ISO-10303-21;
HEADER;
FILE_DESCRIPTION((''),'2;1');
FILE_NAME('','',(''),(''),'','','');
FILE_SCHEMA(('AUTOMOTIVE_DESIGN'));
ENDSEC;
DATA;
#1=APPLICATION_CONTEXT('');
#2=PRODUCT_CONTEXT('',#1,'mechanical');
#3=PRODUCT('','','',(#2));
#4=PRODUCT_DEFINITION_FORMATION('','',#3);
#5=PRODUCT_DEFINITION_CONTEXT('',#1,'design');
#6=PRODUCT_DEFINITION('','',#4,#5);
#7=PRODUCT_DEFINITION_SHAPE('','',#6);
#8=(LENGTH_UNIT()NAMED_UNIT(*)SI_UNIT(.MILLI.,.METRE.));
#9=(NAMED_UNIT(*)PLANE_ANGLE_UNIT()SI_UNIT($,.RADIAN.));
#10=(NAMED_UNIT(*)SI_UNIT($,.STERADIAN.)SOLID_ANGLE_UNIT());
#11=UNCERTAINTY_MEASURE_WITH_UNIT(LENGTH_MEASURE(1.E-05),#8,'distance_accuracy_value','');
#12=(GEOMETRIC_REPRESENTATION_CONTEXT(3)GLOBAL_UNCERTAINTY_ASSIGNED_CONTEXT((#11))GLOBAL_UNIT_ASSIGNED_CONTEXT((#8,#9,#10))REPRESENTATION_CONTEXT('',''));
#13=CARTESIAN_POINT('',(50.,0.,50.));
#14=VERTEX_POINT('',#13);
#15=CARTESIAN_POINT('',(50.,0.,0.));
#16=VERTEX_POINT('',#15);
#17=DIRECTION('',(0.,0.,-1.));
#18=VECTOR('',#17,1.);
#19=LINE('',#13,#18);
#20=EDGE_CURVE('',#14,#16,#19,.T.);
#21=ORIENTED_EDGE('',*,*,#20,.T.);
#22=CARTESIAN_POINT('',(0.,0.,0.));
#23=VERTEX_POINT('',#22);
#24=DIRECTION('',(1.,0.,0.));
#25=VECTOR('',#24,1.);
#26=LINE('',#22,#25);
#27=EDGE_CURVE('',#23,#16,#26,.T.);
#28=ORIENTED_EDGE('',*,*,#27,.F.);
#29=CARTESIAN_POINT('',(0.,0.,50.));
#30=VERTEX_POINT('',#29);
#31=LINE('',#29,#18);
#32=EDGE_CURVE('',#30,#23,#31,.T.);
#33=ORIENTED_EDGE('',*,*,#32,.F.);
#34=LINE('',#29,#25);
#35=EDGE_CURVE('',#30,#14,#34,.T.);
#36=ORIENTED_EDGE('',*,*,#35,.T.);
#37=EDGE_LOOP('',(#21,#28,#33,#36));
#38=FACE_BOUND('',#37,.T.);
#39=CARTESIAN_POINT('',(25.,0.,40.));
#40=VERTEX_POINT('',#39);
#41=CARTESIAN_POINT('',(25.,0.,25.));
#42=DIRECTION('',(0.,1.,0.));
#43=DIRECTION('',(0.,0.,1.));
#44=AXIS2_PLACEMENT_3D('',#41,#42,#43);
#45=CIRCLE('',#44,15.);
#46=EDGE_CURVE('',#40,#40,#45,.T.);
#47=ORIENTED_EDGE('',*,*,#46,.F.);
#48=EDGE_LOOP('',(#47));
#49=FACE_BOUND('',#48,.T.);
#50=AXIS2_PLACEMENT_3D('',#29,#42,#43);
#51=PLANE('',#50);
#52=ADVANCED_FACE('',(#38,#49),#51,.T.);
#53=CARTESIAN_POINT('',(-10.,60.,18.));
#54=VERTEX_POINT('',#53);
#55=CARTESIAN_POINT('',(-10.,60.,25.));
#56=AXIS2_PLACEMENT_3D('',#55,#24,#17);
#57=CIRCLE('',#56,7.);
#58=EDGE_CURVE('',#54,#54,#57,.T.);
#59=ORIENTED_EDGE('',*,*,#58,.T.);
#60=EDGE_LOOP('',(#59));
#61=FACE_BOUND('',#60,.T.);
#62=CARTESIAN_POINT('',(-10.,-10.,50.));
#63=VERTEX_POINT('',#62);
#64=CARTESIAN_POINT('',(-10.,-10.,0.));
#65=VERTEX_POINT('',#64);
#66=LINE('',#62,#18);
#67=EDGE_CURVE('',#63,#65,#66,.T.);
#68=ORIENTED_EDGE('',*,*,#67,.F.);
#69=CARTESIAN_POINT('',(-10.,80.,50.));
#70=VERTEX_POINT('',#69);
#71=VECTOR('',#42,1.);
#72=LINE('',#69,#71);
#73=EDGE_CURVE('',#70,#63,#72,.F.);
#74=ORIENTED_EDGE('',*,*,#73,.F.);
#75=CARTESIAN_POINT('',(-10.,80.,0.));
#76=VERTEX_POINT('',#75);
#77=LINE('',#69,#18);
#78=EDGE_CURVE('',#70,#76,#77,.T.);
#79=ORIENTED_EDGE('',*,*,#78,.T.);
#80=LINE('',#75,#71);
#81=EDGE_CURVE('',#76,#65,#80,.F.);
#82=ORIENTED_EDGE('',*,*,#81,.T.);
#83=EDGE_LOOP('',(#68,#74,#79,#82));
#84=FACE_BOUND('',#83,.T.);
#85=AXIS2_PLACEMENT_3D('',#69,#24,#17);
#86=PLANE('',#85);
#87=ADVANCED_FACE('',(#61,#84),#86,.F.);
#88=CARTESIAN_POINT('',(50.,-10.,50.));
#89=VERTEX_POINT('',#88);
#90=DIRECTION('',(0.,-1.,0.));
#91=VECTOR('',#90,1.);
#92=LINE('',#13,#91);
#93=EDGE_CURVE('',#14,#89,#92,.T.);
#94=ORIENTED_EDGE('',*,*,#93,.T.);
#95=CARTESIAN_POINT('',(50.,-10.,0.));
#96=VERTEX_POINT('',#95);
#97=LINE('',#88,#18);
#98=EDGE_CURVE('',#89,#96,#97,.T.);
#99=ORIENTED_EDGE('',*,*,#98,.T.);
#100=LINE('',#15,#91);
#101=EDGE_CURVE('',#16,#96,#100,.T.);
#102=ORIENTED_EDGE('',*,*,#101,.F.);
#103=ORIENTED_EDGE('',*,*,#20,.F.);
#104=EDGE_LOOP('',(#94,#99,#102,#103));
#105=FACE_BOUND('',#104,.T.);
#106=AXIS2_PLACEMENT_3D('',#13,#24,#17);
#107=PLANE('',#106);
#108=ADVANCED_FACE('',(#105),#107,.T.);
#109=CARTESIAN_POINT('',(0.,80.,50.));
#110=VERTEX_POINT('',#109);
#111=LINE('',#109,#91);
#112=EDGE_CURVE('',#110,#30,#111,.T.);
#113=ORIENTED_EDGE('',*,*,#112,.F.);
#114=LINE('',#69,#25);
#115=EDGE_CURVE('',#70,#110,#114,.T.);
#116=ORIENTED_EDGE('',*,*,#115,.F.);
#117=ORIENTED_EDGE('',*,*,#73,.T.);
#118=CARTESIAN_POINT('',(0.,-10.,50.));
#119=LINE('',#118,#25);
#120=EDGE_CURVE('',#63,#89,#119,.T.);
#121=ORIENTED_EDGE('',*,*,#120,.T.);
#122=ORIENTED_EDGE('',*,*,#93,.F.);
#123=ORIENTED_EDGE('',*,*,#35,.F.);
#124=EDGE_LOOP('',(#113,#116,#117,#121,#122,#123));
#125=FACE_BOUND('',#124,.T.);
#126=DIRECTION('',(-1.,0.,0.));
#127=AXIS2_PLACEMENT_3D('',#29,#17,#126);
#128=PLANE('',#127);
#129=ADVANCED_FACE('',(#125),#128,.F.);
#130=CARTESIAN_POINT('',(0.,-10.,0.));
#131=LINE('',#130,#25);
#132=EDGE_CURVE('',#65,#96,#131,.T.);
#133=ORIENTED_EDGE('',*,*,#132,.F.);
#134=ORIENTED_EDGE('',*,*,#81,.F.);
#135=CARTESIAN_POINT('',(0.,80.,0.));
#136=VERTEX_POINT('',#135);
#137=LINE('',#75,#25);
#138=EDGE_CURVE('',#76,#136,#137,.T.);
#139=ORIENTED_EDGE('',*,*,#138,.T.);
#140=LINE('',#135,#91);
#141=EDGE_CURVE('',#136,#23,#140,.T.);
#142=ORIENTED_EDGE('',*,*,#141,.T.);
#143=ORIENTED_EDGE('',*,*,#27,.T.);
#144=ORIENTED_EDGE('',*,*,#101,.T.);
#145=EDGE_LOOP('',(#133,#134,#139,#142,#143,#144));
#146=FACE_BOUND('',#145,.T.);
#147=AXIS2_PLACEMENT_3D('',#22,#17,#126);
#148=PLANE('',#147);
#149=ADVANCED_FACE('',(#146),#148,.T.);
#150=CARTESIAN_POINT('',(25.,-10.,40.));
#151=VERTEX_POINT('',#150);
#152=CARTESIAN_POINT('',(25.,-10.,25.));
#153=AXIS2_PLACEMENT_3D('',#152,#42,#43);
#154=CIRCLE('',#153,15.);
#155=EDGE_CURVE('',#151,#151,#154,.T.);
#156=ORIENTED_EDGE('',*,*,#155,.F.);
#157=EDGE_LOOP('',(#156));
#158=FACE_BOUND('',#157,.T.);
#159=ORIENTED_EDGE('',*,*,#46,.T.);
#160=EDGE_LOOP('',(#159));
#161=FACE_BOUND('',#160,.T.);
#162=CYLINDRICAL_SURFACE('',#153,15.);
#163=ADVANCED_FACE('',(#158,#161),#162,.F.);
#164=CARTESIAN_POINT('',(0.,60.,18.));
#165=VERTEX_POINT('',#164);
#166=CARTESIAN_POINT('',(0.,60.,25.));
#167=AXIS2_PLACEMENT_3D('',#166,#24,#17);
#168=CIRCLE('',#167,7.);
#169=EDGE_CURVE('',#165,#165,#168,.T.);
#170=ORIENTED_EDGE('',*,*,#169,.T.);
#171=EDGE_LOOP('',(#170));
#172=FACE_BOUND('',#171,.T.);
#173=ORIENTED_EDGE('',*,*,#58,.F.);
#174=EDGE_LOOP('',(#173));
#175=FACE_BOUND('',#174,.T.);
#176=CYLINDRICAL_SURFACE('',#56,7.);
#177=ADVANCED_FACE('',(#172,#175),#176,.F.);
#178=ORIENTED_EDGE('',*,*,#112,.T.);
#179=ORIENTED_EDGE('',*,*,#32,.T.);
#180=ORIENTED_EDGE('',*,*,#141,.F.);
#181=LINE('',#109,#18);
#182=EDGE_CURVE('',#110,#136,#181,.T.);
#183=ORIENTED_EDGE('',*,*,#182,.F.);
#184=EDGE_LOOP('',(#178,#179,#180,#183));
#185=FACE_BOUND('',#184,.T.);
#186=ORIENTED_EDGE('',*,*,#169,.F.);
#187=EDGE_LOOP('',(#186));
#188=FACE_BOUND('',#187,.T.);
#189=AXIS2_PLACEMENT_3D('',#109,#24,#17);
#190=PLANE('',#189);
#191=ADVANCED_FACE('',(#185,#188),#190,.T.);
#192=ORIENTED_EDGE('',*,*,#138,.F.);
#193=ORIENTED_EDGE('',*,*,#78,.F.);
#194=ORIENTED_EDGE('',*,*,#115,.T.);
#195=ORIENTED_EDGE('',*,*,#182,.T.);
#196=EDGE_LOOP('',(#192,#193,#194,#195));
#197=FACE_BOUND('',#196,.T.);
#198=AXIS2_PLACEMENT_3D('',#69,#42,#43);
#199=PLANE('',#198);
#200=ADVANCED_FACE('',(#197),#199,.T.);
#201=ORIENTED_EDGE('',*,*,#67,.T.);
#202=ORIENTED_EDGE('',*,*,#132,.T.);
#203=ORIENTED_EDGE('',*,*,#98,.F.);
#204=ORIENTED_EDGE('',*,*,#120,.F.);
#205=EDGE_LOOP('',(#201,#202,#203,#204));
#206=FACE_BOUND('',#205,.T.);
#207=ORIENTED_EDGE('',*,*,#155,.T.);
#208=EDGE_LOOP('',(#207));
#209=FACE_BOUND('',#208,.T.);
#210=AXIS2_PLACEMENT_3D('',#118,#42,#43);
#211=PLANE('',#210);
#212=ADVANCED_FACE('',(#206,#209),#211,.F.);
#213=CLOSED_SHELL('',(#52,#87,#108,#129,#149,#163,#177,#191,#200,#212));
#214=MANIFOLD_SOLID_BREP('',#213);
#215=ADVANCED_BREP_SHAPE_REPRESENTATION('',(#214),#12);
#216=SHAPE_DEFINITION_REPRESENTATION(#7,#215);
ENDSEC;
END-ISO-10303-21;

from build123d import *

# Parameters (mm, degrees)
EXTRUDE_THIN1_DEPTH = 50
SKETCH2_R           = 15
CUT_EXTRUDE1_DEPTH  = 107.77078252
SKETCH3_R           = 7
CUT_EXTRUDE2_DEPTH  = 107.77078252


with BuildPart() as part:
    # Sketch1 → Extrude-Thin1 (new body)
    with BuildSketch(Plane.XY):
        Polygon((0, 80), (0, 0), (50, 0), (50, -10), (-10, -10), (-10, 80), align=None)
    extrude(amount=EXTRUDE_THIN1_DEPTH)

    # Sketch2 → Cut-Extrude1 (cut, through all)
    with BuildSketch(Plane(origin=(0, 0, 0), x_dir=(1, 0, 0), z_dir=(0, 1, 0))):
        with Locations(Location((25, -25, 0), (0, 0, 270))):
            Circle(SKETCH2_R)
    extrude(amount=-CUT_EXTRUDE1_DEPTH, mode=Mode.SUBTRACT)

    # Sketch3 → Cut-Extrude2 (cut, through all)
    with BuildSketch(Plane(origin=(0, 0, 0), x_dir=(0, 0, -1), z_dir=(1, 0, 0))):
        with Locations((-25, 60)):
            Circle(SKETCH3_R)
    extrude(amount=-CUT_EXTRUDE2_DEPTH, mode=Mode.SUBTRACT)


solid = part.part
